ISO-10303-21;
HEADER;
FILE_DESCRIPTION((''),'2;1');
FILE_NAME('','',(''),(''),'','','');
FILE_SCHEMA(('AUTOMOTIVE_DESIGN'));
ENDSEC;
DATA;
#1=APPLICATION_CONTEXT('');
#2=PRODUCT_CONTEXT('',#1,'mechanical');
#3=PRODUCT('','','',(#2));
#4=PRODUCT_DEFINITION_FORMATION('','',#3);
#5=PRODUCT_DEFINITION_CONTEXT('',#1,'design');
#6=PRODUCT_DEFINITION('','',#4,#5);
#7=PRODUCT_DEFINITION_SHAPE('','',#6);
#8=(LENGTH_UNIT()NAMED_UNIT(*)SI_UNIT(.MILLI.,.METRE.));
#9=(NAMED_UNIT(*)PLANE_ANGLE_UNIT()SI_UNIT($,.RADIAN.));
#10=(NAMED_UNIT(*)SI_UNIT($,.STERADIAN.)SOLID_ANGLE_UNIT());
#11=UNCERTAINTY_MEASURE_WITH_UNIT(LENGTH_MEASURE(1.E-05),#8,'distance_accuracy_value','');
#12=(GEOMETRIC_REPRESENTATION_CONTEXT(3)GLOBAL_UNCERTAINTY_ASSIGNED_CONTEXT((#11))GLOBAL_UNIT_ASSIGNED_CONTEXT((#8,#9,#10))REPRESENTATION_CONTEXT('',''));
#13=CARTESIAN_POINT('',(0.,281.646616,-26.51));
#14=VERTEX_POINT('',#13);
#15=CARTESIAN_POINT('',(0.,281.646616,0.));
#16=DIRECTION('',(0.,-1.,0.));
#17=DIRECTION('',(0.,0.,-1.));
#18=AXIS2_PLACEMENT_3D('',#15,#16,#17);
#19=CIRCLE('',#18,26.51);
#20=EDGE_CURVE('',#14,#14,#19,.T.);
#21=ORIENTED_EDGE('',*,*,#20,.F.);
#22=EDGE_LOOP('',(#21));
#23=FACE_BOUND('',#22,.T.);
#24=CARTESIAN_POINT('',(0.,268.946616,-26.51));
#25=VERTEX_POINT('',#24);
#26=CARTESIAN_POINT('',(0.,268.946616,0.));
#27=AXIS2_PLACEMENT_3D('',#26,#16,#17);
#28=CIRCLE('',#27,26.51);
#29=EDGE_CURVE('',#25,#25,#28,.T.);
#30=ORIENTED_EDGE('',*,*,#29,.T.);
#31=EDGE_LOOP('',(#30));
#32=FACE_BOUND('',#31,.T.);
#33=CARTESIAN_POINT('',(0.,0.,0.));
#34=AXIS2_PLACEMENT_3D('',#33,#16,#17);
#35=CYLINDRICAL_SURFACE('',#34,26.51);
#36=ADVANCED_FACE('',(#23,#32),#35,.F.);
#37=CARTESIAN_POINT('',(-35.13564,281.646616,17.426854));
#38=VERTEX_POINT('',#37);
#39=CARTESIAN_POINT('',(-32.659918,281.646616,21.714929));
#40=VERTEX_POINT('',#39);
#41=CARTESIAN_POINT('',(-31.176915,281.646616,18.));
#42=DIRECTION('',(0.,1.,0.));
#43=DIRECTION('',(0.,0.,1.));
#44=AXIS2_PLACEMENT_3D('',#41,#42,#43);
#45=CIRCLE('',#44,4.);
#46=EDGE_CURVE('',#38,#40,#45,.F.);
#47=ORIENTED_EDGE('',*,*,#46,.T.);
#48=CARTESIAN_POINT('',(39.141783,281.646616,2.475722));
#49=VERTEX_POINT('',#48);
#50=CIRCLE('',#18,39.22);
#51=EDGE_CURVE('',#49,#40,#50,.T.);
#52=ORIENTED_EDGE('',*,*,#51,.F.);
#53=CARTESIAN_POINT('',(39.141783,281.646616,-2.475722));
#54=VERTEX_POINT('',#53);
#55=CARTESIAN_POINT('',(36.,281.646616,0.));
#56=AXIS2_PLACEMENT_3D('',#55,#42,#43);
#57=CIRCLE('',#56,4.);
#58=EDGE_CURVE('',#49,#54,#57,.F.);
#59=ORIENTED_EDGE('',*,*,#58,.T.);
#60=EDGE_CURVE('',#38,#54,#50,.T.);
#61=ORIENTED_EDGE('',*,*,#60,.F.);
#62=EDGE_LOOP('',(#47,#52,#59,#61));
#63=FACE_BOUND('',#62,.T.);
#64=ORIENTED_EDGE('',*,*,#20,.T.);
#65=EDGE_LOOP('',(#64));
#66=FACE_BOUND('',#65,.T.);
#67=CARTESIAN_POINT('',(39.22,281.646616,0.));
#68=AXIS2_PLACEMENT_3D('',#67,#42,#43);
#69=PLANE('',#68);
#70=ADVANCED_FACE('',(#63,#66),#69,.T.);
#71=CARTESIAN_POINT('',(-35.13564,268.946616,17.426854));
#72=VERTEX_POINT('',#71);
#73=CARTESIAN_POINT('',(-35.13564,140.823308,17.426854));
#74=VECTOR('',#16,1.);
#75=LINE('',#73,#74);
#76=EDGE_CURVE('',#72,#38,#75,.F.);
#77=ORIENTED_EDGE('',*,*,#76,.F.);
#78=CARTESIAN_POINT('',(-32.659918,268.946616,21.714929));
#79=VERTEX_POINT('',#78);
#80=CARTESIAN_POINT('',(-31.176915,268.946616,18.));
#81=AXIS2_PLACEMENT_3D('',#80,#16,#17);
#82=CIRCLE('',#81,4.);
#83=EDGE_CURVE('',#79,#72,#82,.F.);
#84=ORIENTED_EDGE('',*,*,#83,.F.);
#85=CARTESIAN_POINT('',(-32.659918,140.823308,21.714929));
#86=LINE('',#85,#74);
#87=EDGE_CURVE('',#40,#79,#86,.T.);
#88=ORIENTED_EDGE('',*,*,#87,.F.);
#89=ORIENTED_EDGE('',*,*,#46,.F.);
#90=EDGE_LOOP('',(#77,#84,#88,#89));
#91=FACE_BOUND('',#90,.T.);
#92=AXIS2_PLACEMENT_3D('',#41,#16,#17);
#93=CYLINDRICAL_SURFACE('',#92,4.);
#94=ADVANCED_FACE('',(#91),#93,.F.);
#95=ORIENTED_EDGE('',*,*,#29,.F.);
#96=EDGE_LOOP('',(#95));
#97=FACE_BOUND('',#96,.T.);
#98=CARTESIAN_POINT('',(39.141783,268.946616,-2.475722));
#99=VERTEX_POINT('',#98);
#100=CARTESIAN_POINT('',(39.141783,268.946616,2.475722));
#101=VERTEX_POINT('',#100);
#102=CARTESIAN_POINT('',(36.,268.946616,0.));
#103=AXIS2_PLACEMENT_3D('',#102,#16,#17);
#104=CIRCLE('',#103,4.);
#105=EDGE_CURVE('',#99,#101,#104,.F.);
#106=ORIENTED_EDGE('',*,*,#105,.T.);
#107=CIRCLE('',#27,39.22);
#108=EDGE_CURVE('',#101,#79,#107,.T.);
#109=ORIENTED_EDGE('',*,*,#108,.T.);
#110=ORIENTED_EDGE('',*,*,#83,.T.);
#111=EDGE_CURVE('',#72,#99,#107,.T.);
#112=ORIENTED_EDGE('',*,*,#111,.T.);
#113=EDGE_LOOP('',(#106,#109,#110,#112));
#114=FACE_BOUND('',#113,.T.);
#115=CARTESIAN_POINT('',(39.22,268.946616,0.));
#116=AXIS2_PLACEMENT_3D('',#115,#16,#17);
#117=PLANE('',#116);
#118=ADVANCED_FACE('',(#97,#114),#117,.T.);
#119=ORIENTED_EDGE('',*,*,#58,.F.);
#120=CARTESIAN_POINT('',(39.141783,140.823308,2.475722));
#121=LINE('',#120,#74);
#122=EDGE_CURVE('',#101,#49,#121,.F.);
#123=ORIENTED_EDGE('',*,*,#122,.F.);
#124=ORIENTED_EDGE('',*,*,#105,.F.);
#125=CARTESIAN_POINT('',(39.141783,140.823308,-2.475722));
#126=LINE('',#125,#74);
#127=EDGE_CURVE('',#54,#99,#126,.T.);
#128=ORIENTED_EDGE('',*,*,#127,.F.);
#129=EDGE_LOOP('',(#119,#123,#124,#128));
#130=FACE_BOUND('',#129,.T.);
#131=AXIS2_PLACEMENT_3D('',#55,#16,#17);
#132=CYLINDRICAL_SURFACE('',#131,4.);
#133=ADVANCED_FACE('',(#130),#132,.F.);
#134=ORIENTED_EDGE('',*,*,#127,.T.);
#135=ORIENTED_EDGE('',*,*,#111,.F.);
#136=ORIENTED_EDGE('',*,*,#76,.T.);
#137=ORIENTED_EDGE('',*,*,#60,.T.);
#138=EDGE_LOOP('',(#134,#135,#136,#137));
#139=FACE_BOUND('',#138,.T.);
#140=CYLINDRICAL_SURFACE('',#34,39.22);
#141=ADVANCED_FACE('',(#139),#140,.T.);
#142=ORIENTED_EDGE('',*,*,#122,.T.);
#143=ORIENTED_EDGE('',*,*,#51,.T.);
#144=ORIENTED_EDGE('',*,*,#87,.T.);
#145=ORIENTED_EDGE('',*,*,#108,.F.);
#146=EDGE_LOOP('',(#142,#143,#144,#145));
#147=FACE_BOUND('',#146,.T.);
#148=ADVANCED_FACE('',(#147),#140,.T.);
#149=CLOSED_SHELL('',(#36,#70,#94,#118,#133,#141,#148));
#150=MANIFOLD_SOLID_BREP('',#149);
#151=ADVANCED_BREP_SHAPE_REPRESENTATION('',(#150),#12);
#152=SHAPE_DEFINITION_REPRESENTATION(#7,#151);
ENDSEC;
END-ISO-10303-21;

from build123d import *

# Parameters (mm, degrees)
SKETCH1_W          = 12.71
SKETCH1_H          = 12.7
SKETCH2_R          = 4
CUT_EXTRUDE3_DEPTH = 288.056150001


with BuildPart() as part:
    # Sketch1 → Revolve1 (revolve)
    with BuildSketch(Plane.XY, mode=Mode.PRIVATE) as revolve1_sk:
        with Locations((32.865, 275.296616264)):
            Rectangle(SKETCH1_W, SKETCH1_H)
    revolve(revolve1_sk.sketch.rotate(Axis((0, 0, 0), (0, 1, 0)), 90), axis=Axis((0, 0, 0), (0, 1, 0)))

    # Sketch2 → Cut-Extrude3 (cut, through all)
    with BuildSketch(Plane(origin=(0, 0, 0), x_dir=(1, 0, 0), z_dir=(0, 1, 0))):
        with Locations((-31.176914536, -18)):
            Circle(SKETCH2_R)
        with Locations((36, 0)):
            Circle(SKETCH2_R)
    extrude(amount=CUT_EXTRUDE3_DEPTH, mode=Mode.SUBTRACT)


solid = part.part
